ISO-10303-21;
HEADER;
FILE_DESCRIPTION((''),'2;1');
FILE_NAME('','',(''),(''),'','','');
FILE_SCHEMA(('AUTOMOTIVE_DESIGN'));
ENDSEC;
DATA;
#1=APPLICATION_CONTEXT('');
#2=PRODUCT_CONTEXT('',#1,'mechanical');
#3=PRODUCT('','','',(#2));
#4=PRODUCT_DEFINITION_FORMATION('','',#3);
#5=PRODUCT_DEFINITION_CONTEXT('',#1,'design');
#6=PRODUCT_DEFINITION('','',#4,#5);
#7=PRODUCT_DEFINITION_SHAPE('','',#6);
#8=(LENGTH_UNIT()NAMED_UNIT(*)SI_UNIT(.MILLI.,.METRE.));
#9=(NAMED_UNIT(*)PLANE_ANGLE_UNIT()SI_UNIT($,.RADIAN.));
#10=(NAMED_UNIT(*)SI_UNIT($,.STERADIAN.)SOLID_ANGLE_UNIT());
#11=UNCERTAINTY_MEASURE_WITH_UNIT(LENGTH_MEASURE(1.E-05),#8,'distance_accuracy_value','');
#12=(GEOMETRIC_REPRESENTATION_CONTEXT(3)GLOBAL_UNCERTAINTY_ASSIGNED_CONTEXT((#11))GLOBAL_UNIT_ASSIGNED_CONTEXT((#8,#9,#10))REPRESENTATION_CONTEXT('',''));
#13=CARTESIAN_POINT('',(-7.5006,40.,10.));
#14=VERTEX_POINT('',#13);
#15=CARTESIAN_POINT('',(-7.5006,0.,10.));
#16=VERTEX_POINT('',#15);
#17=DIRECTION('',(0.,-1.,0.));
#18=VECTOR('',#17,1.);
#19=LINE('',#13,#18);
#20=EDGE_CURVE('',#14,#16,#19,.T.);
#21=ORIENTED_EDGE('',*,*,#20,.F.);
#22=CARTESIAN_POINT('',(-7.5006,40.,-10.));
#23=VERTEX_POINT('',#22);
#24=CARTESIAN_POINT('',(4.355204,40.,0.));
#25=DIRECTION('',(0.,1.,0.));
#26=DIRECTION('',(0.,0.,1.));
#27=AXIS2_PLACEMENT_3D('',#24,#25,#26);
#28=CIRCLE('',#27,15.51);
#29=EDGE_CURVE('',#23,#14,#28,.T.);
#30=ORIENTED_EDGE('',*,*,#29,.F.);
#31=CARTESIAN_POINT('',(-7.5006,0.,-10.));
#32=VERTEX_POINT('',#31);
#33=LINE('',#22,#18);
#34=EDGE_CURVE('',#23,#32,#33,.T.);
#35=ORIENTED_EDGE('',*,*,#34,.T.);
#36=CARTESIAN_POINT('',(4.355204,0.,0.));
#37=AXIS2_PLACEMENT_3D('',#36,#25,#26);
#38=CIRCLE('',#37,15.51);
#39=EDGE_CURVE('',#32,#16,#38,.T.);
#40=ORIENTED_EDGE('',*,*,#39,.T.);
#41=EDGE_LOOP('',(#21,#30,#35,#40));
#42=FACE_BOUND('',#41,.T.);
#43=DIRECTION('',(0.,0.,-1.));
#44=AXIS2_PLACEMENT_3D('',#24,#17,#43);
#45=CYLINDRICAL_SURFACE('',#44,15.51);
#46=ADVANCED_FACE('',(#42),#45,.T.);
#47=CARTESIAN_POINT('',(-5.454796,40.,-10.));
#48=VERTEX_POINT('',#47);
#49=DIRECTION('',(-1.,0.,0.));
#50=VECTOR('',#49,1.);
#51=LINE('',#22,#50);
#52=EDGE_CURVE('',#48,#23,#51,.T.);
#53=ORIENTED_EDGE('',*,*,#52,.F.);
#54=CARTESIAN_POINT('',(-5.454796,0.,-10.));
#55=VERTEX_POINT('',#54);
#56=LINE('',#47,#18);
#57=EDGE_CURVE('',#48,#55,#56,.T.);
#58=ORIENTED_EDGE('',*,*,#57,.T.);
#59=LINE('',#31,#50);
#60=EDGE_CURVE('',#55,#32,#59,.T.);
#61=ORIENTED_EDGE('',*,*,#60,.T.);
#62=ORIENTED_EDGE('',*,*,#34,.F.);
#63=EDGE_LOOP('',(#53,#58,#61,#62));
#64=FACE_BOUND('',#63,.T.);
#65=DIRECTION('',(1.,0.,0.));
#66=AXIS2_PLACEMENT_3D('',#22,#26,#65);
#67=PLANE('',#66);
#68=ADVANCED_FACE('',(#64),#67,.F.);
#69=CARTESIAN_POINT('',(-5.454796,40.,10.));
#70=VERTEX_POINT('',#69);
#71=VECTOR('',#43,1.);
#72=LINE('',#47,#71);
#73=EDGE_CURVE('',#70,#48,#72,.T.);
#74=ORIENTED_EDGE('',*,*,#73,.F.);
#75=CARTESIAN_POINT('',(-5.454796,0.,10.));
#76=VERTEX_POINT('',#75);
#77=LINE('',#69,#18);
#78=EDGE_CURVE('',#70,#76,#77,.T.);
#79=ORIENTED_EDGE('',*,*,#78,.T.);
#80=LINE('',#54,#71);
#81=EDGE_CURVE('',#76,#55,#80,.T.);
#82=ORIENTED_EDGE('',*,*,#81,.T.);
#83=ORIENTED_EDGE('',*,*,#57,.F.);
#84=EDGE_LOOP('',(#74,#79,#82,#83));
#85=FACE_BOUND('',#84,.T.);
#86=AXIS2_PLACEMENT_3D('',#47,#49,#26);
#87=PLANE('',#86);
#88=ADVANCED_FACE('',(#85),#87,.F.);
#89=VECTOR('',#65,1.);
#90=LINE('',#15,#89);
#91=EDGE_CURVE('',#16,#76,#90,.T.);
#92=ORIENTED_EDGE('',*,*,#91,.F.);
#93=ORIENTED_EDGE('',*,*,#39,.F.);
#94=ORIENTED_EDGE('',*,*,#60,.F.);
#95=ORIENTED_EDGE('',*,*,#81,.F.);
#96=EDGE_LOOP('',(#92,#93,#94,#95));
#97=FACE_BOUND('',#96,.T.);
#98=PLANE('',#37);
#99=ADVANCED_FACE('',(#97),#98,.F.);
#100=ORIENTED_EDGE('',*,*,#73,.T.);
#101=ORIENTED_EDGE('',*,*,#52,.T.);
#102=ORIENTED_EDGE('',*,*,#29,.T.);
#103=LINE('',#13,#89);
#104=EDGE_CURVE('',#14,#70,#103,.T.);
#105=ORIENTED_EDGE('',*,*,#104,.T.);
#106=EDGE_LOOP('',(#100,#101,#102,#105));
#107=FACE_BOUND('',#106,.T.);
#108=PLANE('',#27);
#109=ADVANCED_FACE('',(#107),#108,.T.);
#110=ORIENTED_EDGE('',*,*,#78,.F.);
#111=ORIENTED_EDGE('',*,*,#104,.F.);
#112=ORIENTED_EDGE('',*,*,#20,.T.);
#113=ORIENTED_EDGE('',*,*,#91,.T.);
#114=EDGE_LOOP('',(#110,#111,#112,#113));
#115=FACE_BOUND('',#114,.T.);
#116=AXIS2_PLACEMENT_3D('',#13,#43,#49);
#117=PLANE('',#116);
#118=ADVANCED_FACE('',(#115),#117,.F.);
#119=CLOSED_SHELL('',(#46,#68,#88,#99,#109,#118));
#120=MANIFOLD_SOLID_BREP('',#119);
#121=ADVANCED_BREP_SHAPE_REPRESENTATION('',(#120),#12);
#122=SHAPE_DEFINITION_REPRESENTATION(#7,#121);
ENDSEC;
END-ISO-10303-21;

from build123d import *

# Parameters (mm, degrees)
EXTRUDE_1_DEPTH = 40


with BuildPart() as part:
    # 草图1 → 凸台-拉伸1 (new body)
    with BuildSketch(Plane(origin=(0, 0, 0), x_dir=(1, 0, 0), z_dir=(0, 1, 0))):
        with BuildLine():
            Line((-7.500600151, 10), (-5.454795665, 10))
            Line((-5.454795665, 10), (-5.454795665, -10))
            Line((-5.454795665, -10), (-7.500600151, -10))
            ThreePointArc((-7.500600151, -10), (-11.154795665, 0), (-7.500600151, 10))
        make_face()
    extrude(amount=EXTRUDE_1_DEPTH)


solid = part.part
